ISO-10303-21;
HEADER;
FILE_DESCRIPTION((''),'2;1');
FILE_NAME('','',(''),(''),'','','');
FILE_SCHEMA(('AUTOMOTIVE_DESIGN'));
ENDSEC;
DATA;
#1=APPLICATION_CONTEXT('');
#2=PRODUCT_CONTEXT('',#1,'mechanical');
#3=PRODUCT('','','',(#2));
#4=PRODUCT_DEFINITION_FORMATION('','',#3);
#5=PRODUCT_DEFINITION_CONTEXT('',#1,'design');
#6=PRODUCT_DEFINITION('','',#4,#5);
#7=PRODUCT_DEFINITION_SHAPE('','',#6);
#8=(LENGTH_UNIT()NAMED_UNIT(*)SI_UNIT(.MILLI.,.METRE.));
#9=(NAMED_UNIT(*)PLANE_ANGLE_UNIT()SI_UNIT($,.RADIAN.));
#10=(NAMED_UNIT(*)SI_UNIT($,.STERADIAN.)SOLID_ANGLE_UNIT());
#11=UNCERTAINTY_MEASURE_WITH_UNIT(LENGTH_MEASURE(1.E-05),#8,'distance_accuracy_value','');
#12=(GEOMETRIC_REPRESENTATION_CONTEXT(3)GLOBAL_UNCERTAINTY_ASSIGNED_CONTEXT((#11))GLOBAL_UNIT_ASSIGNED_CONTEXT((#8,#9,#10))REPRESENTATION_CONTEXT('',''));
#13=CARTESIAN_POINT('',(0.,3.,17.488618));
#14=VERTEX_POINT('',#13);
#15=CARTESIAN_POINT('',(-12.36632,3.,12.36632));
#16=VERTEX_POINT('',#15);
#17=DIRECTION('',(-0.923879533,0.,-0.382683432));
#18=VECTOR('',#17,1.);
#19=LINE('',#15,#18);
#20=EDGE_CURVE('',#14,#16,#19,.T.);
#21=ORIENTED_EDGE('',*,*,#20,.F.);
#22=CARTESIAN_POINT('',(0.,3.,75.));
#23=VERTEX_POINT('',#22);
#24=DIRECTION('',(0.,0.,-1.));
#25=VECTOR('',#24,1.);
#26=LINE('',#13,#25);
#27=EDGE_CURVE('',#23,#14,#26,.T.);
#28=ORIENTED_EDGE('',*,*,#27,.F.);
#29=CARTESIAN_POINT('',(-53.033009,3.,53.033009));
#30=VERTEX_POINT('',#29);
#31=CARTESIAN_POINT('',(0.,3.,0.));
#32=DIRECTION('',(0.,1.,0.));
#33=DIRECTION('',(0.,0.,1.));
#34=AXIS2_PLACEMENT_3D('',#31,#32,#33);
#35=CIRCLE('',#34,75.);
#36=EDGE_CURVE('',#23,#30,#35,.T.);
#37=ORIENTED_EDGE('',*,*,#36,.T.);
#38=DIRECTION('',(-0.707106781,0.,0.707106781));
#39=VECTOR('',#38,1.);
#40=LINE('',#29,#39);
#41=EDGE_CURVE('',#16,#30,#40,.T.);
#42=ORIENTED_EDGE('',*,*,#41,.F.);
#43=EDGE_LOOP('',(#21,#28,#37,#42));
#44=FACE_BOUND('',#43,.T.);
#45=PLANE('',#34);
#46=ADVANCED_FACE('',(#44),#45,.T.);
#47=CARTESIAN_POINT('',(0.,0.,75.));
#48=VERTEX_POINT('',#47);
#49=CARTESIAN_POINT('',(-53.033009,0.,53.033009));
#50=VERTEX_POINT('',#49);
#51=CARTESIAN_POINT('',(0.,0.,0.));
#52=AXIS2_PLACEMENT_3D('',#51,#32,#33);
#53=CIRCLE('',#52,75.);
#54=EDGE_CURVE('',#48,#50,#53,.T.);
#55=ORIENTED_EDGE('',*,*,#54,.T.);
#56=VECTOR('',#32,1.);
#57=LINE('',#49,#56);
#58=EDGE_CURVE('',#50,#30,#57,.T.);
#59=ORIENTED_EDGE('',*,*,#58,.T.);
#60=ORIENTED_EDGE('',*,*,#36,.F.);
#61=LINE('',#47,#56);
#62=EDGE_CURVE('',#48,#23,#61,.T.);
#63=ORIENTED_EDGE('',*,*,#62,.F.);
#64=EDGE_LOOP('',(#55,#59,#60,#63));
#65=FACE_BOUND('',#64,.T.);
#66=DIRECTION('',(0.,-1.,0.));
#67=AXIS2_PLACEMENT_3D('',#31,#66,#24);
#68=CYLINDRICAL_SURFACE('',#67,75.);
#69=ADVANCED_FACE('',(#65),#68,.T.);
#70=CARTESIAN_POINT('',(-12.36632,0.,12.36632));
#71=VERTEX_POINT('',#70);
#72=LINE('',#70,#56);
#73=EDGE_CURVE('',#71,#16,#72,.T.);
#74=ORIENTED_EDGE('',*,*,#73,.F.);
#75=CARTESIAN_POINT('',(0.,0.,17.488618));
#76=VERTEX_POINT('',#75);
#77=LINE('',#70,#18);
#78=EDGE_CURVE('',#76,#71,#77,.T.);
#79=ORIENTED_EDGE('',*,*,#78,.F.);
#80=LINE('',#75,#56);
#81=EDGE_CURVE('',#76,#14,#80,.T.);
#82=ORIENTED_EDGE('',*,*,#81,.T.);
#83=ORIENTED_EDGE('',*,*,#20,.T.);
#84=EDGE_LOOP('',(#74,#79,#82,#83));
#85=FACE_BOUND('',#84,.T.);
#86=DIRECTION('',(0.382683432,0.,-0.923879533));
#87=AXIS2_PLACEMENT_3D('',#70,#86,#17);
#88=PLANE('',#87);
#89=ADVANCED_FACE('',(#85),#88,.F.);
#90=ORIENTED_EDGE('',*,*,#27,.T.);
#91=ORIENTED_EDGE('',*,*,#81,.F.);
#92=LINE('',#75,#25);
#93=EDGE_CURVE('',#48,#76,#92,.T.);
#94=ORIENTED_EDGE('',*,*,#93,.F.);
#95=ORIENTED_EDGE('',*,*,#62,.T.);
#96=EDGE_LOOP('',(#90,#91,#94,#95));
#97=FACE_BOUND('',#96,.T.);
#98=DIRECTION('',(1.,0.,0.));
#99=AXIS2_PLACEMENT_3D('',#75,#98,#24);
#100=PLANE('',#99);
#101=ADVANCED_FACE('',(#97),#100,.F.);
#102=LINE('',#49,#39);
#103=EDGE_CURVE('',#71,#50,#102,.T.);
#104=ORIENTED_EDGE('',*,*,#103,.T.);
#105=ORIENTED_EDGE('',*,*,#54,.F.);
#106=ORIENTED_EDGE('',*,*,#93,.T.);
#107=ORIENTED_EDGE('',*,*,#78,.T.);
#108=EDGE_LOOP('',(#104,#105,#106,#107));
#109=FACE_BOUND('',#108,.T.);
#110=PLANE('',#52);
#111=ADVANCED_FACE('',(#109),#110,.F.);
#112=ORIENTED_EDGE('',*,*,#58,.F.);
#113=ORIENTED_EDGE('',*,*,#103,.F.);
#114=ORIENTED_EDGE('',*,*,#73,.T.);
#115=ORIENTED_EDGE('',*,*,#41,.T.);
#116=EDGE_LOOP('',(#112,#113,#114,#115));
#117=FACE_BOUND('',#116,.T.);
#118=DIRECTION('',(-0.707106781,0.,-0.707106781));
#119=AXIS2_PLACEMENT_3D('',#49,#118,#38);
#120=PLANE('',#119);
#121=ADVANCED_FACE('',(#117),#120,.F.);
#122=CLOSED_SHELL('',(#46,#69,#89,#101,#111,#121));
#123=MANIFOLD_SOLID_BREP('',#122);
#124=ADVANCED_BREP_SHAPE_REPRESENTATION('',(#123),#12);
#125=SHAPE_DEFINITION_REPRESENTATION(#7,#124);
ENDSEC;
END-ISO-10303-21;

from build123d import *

# Parameters (mm, degrees)
SKETCH1_R           = 75
BOSS_EXTRUDE1_DEPTH = 3
CUT_EXTRUDE1_START  = -3
CUT_EXTRUDE1_DEPTH  = 3


with BuildPart() as part:
    # Sketch1 → Boss-Extrude1 (new body)
    with BuildSketch(Plane(origin=(0, 0, 0), x_dir=(1, 0, 0), z_dir=(0, 1, 0))):
        with Locations(Location((0, 0, 0), (0, 0, 270))):
            Circle(SKETCH1_R)
    extrude(amount=BOSS_EXTRUDE1_DEPTH)

    # Sketch2 → Cut-Extrude1 (cut)
    with BuildSketch(Plane(origin=(0, 3, 0), x_dir=(1, 0, 0), z_dir=(0, 1, 0)).offset(CUT_EXTRUDE1_START)):
        with BuildLine():
            Line((-53.033008589, -53.033008589), (-12.366320483, -12.366320483))
            Line((-12.366320483, -12.366320483), (0, -17.488618143))
            Line((0, -17.488618143), (0, -75))
            ThreePointArc((0, -75), (-28.701257427, -69.290964938), (-53.033008589, -53.033008589))
        make_face()
    extrude(amount=CUT_EXTRUDE1_DEPTH, mode=Mode.SUBTRACT)


solid = part.part
